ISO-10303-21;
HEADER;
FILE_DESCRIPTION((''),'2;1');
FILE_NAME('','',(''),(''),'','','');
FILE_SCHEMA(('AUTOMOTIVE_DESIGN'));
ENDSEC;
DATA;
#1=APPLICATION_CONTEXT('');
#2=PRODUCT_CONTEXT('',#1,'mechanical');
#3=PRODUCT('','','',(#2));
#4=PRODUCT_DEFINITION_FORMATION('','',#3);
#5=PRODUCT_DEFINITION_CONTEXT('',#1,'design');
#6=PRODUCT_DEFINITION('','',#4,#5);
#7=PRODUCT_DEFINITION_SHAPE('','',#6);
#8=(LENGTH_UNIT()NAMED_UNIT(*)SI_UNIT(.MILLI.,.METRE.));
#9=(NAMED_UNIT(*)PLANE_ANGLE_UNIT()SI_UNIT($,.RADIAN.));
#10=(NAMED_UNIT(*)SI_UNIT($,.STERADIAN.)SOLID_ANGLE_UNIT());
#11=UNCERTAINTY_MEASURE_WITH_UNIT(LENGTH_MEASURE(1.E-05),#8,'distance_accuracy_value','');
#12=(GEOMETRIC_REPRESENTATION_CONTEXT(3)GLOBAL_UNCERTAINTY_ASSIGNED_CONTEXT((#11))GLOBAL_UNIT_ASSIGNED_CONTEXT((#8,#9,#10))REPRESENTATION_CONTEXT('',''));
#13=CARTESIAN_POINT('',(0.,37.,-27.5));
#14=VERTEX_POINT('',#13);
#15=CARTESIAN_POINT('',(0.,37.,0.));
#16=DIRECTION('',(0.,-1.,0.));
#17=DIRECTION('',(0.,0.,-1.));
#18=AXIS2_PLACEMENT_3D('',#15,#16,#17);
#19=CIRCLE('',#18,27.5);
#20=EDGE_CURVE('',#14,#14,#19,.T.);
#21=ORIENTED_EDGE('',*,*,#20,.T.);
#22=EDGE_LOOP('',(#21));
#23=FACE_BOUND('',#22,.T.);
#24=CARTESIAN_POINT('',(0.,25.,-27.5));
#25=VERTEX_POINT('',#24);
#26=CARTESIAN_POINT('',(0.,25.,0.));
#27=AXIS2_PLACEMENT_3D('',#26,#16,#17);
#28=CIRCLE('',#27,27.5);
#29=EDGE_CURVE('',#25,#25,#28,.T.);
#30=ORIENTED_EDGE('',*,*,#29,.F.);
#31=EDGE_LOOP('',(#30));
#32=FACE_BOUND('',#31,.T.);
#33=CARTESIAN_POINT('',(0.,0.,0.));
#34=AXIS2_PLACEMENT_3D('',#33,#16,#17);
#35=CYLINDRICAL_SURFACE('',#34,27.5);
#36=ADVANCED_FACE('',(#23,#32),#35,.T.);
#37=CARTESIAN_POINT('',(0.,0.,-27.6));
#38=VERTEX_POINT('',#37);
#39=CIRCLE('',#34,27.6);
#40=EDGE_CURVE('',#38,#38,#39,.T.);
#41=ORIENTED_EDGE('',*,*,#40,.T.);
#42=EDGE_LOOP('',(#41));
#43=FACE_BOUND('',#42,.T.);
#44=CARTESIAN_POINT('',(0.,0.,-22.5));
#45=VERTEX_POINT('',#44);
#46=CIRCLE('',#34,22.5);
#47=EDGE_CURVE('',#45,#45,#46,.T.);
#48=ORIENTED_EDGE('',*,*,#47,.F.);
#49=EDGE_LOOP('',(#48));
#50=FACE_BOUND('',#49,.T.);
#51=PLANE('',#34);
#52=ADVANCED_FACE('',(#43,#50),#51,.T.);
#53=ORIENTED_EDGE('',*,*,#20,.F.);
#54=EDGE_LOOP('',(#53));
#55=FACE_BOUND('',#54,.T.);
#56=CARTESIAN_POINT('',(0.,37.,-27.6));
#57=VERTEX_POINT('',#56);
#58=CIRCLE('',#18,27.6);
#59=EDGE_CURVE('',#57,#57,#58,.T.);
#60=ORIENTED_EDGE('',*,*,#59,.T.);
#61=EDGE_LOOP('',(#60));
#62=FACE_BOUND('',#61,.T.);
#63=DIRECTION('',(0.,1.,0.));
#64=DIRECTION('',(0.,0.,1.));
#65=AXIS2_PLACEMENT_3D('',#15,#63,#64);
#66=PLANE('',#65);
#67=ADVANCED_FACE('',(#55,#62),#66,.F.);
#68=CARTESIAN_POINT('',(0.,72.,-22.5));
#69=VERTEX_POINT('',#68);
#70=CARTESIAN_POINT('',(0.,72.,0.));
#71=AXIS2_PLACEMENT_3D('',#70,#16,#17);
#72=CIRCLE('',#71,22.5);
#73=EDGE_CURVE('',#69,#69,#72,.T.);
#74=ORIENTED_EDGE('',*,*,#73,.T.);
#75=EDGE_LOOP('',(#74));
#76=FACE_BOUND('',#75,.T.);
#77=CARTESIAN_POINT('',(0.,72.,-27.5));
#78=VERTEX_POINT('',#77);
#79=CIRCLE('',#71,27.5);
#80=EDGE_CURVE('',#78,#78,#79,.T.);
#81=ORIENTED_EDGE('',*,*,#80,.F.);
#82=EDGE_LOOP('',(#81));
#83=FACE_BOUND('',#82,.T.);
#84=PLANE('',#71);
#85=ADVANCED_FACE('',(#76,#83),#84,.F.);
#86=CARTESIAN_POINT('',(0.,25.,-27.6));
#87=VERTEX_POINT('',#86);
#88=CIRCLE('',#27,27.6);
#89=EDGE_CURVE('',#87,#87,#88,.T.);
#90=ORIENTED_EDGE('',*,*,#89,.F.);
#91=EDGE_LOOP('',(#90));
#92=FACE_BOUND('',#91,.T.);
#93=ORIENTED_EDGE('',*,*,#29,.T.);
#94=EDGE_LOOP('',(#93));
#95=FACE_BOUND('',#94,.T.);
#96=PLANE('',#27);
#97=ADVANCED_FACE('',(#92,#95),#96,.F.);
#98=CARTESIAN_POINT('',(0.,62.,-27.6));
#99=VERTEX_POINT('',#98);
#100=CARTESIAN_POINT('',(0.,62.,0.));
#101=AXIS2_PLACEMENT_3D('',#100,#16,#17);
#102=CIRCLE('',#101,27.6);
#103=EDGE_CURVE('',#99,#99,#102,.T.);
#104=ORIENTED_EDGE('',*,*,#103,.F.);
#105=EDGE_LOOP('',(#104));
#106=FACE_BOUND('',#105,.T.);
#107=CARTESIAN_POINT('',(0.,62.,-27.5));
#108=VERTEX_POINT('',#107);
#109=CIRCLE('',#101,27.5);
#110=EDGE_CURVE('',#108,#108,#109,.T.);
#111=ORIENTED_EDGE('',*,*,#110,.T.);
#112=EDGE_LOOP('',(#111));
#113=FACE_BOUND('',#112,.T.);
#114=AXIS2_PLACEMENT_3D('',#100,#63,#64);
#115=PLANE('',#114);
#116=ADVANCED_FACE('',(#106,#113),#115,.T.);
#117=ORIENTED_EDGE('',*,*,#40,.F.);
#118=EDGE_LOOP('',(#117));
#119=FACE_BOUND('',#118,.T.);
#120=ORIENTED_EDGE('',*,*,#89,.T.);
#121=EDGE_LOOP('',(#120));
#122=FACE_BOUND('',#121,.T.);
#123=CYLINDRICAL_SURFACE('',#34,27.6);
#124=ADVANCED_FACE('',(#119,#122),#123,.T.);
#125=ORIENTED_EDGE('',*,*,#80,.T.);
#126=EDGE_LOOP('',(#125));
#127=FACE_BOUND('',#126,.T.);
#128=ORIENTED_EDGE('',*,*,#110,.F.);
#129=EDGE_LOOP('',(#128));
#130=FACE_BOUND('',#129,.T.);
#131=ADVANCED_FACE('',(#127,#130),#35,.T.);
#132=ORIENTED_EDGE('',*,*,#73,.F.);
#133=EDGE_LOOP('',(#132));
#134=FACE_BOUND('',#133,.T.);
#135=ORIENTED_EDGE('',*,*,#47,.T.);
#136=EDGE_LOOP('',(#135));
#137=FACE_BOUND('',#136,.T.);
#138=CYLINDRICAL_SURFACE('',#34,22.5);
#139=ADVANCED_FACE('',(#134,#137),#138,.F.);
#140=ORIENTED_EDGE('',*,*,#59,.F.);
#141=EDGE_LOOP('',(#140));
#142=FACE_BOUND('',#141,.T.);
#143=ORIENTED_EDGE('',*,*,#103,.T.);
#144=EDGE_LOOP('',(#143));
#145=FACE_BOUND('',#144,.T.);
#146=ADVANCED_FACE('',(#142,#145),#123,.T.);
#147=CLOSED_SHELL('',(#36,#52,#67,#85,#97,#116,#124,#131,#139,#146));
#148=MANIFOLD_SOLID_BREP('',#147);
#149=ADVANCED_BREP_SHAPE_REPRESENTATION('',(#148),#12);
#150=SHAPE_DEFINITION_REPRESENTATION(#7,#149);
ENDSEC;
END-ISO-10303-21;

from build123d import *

# Parameters (mm, degrees)
SKETCH1_W   = 5
SKETCH1_H   = 72
SKETCH1_W_2 = 0.1
SKETCH1_H_2 = 25


with BuildPart() as part:
    # Sketch1 → Revolve1 (revolve)
    with BuildSketch(Plane.XY, mode=Mode.PRIVATE) as revolve1_sk:
        with Locations((25, 36)):
            Rectangle(SKETCH1_W, SKETCH1_H)
        with Locations((27.55, 49.5)):
            Rectangle(SKETCH1_W_2, SKETCH1_H_2)
        with Locations((27.55, 12.5)):
            Rectangle(SKETCH1_W_2, SKETCH1_H_2)
    revolve(revolve1_sk.sketch.rotate(Axis((0, 0, 0), (0, 1, 0)), 90), axis=Axis((0, 0, 0), (0, 1, 0)))


solid = part.part
